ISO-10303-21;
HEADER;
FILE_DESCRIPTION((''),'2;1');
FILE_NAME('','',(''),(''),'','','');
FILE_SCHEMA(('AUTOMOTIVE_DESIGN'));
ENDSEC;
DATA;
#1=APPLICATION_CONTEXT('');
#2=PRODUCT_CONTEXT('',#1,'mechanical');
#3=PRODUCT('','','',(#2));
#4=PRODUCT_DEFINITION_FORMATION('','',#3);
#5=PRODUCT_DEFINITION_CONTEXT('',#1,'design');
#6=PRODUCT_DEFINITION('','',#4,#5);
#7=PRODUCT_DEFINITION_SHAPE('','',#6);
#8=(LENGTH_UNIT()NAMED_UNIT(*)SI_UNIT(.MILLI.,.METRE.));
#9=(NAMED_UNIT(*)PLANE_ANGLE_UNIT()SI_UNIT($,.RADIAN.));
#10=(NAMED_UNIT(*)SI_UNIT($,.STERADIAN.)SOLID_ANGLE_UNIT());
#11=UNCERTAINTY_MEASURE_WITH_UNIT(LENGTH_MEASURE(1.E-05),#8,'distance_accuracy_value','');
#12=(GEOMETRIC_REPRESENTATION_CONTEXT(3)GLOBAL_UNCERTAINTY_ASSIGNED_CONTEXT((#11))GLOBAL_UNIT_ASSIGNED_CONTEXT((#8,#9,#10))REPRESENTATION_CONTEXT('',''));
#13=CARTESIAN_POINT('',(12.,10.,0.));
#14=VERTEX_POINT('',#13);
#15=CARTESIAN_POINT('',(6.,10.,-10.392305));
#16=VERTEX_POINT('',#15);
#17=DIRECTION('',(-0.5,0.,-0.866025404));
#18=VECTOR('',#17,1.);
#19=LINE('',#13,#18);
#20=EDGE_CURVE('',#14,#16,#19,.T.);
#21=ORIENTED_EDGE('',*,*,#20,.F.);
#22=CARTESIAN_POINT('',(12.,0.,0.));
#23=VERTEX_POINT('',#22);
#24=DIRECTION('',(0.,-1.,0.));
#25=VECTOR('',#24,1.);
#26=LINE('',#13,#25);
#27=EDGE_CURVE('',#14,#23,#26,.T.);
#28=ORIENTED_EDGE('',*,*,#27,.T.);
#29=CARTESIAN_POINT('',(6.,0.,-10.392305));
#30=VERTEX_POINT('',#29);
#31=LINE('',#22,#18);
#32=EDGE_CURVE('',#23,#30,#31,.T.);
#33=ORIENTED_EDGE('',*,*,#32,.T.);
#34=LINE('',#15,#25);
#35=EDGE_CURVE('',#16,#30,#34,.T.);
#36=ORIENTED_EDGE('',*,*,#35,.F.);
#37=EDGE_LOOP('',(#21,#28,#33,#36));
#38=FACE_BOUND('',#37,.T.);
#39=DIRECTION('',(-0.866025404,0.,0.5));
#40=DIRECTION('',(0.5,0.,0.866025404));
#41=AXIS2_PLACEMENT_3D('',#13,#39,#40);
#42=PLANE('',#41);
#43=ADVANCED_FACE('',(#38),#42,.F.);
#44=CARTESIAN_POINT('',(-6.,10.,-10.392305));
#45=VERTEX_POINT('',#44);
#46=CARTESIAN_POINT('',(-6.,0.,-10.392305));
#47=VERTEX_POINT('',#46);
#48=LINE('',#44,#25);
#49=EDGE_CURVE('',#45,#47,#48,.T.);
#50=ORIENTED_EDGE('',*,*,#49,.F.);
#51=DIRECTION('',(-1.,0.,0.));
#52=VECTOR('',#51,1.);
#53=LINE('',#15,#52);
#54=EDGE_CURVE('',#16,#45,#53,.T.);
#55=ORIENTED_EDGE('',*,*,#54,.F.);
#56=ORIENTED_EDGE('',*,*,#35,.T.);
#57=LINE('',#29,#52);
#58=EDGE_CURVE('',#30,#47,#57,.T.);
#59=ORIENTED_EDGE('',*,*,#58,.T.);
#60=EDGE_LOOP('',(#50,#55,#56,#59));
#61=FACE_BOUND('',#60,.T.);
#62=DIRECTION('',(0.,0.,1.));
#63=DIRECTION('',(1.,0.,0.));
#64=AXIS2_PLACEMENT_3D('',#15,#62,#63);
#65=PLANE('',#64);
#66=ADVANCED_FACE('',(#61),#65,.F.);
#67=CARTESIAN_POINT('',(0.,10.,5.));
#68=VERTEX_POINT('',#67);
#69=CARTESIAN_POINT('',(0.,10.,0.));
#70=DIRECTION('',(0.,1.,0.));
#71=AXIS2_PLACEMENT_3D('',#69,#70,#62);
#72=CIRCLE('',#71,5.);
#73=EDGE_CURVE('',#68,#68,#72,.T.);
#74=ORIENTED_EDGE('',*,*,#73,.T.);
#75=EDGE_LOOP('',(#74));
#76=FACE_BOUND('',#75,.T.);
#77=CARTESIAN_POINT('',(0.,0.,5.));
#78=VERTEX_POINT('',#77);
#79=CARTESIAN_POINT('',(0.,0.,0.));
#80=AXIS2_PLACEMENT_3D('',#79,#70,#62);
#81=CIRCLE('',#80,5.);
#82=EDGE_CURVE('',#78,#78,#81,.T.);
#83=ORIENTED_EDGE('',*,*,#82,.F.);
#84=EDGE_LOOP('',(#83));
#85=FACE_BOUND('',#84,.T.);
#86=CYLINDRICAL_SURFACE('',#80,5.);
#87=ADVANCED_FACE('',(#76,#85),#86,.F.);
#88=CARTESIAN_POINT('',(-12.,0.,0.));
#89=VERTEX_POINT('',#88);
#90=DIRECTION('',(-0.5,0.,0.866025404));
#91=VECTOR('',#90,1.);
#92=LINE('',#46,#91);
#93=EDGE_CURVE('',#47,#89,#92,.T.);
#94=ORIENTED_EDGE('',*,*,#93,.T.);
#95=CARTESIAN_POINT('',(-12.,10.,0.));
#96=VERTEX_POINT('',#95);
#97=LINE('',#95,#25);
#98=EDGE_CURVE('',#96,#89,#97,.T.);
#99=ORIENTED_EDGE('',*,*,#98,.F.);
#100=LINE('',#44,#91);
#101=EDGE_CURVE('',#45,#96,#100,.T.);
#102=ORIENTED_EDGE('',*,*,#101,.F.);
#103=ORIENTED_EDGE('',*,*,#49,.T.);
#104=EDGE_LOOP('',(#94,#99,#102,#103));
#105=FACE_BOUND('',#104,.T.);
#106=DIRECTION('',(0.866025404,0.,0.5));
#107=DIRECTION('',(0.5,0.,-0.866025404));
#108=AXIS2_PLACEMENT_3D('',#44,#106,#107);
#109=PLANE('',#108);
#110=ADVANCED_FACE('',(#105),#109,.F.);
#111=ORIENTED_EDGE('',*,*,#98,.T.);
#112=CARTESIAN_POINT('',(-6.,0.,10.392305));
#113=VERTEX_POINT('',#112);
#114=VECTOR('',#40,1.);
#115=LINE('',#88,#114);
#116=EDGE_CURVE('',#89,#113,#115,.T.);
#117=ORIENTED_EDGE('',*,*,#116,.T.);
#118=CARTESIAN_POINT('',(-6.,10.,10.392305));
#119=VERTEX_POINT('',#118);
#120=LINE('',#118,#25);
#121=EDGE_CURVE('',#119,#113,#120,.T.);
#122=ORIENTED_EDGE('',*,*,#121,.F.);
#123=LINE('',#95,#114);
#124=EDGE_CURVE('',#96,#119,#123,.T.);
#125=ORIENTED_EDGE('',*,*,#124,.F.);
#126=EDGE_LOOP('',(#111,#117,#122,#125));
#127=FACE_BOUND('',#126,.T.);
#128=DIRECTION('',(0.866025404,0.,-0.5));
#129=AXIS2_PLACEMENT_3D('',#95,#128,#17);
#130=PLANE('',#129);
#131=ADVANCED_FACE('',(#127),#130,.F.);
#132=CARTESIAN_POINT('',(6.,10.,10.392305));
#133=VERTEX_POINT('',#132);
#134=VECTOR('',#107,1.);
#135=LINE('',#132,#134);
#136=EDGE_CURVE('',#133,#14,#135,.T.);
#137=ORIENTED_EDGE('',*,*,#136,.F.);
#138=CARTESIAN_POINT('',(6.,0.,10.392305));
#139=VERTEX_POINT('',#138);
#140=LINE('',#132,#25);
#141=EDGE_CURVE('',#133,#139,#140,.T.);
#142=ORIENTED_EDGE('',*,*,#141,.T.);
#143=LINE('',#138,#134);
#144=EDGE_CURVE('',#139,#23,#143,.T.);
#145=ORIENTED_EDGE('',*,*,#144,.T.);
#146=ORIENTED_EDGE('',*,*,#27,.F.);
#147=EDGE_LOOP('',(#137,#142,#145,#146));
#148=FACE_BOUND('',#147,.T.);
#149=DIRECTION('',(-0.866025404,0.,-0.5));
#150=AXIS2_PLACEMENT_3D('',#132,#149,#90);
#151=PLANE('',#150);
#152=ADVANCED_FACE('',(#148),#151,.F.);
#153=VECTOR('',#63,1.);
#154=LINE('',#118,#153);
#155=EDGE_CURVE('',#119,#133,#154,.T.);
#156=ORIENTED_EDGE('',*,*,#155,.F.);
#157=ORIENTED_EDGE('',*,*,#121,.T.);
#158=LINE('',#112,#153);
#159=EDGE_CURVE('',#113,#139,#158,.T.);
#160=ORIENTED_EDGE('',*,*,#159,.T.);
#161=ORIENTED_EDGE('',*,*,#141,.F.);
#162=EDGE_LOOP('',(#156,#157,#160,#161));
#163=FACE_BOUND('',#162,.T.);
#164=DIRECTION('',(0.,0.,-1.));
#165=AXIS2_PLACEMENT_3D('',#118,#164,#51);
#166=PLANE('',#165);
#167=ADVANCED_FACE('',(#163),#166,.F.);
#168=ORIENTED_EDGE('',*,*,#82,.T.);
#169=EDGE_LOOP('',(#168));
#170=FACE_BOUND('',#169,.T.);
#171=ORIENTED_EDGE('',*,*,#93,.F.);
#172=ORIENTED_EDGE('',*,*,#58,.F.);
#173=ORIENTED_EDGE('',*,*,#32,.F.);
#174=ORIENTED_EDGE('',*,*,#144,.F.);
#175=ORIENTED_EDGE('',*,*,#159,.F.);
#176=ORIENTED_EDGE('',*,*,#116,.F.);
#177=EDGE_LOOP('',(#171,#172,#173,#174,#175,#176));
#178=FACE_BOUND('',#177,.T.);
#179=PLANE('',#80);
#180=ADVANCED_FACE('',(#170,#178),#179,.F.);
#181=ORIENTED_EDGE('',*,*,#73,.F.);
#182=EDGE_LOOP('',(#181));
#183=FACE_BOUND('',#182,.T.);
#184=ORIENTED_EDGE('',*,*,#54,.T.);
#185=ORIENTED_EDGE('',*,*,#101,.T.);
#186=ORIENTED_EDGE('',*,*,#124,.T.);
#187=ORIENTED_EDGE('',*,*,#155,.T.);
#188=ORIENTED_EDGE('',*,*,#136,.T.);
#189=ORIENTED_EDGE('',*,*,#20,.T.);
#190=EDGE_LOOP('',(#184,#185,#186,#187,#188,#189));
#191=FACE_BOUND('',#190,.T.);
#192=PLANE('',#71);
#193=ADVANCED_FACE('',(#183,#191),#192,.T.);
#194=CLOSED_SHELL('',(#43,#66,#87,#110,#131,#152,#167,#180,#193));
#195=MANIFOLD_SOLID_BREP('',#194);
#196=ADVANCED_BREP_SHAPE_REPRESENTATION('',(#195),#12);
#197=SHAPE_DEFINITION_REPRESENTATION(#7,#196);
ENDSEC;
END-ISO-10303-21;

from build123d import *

# Parameters (mm, degrees)
BOSS_EXTRUDE1_DEPTH = 10
SKETCH2_R           = 5
CUT_EXTRUDE1_DEPTH  = 10


with BuildPart() as part:
    # Sketch1 → Boss-Extrude1 (new body)
    with BuildSketch(Plane(origin=(0, 0, 0), x_dir=(1, 0, 0), z_dir=(0, 1, 0))):
        Polygon((6, 10.392304845), (-6, 10.392304845), (-12, 0), (-6, -10.392304845), (6, -10.392304845), (12, 0), align=None)
    extrude(amount=BOSS_EXTRUDE1_DEPTH)

    # Sketch2 → Cut-Extrude1 (cut)
    with BuildSketch(Plane(origin=(0, 10, 0), x_dir=(1, 0, 0), z_dir=(0, 1, 0))):
        with Locations(Location((0, 0, 0), (0, 0, 270))):
            Circle(SKETCH2_R)
    extrude(amount=-CUT_EXTRUDE1_DEPTH, mode=Mode.SUBTRACT)


solid = part.part
